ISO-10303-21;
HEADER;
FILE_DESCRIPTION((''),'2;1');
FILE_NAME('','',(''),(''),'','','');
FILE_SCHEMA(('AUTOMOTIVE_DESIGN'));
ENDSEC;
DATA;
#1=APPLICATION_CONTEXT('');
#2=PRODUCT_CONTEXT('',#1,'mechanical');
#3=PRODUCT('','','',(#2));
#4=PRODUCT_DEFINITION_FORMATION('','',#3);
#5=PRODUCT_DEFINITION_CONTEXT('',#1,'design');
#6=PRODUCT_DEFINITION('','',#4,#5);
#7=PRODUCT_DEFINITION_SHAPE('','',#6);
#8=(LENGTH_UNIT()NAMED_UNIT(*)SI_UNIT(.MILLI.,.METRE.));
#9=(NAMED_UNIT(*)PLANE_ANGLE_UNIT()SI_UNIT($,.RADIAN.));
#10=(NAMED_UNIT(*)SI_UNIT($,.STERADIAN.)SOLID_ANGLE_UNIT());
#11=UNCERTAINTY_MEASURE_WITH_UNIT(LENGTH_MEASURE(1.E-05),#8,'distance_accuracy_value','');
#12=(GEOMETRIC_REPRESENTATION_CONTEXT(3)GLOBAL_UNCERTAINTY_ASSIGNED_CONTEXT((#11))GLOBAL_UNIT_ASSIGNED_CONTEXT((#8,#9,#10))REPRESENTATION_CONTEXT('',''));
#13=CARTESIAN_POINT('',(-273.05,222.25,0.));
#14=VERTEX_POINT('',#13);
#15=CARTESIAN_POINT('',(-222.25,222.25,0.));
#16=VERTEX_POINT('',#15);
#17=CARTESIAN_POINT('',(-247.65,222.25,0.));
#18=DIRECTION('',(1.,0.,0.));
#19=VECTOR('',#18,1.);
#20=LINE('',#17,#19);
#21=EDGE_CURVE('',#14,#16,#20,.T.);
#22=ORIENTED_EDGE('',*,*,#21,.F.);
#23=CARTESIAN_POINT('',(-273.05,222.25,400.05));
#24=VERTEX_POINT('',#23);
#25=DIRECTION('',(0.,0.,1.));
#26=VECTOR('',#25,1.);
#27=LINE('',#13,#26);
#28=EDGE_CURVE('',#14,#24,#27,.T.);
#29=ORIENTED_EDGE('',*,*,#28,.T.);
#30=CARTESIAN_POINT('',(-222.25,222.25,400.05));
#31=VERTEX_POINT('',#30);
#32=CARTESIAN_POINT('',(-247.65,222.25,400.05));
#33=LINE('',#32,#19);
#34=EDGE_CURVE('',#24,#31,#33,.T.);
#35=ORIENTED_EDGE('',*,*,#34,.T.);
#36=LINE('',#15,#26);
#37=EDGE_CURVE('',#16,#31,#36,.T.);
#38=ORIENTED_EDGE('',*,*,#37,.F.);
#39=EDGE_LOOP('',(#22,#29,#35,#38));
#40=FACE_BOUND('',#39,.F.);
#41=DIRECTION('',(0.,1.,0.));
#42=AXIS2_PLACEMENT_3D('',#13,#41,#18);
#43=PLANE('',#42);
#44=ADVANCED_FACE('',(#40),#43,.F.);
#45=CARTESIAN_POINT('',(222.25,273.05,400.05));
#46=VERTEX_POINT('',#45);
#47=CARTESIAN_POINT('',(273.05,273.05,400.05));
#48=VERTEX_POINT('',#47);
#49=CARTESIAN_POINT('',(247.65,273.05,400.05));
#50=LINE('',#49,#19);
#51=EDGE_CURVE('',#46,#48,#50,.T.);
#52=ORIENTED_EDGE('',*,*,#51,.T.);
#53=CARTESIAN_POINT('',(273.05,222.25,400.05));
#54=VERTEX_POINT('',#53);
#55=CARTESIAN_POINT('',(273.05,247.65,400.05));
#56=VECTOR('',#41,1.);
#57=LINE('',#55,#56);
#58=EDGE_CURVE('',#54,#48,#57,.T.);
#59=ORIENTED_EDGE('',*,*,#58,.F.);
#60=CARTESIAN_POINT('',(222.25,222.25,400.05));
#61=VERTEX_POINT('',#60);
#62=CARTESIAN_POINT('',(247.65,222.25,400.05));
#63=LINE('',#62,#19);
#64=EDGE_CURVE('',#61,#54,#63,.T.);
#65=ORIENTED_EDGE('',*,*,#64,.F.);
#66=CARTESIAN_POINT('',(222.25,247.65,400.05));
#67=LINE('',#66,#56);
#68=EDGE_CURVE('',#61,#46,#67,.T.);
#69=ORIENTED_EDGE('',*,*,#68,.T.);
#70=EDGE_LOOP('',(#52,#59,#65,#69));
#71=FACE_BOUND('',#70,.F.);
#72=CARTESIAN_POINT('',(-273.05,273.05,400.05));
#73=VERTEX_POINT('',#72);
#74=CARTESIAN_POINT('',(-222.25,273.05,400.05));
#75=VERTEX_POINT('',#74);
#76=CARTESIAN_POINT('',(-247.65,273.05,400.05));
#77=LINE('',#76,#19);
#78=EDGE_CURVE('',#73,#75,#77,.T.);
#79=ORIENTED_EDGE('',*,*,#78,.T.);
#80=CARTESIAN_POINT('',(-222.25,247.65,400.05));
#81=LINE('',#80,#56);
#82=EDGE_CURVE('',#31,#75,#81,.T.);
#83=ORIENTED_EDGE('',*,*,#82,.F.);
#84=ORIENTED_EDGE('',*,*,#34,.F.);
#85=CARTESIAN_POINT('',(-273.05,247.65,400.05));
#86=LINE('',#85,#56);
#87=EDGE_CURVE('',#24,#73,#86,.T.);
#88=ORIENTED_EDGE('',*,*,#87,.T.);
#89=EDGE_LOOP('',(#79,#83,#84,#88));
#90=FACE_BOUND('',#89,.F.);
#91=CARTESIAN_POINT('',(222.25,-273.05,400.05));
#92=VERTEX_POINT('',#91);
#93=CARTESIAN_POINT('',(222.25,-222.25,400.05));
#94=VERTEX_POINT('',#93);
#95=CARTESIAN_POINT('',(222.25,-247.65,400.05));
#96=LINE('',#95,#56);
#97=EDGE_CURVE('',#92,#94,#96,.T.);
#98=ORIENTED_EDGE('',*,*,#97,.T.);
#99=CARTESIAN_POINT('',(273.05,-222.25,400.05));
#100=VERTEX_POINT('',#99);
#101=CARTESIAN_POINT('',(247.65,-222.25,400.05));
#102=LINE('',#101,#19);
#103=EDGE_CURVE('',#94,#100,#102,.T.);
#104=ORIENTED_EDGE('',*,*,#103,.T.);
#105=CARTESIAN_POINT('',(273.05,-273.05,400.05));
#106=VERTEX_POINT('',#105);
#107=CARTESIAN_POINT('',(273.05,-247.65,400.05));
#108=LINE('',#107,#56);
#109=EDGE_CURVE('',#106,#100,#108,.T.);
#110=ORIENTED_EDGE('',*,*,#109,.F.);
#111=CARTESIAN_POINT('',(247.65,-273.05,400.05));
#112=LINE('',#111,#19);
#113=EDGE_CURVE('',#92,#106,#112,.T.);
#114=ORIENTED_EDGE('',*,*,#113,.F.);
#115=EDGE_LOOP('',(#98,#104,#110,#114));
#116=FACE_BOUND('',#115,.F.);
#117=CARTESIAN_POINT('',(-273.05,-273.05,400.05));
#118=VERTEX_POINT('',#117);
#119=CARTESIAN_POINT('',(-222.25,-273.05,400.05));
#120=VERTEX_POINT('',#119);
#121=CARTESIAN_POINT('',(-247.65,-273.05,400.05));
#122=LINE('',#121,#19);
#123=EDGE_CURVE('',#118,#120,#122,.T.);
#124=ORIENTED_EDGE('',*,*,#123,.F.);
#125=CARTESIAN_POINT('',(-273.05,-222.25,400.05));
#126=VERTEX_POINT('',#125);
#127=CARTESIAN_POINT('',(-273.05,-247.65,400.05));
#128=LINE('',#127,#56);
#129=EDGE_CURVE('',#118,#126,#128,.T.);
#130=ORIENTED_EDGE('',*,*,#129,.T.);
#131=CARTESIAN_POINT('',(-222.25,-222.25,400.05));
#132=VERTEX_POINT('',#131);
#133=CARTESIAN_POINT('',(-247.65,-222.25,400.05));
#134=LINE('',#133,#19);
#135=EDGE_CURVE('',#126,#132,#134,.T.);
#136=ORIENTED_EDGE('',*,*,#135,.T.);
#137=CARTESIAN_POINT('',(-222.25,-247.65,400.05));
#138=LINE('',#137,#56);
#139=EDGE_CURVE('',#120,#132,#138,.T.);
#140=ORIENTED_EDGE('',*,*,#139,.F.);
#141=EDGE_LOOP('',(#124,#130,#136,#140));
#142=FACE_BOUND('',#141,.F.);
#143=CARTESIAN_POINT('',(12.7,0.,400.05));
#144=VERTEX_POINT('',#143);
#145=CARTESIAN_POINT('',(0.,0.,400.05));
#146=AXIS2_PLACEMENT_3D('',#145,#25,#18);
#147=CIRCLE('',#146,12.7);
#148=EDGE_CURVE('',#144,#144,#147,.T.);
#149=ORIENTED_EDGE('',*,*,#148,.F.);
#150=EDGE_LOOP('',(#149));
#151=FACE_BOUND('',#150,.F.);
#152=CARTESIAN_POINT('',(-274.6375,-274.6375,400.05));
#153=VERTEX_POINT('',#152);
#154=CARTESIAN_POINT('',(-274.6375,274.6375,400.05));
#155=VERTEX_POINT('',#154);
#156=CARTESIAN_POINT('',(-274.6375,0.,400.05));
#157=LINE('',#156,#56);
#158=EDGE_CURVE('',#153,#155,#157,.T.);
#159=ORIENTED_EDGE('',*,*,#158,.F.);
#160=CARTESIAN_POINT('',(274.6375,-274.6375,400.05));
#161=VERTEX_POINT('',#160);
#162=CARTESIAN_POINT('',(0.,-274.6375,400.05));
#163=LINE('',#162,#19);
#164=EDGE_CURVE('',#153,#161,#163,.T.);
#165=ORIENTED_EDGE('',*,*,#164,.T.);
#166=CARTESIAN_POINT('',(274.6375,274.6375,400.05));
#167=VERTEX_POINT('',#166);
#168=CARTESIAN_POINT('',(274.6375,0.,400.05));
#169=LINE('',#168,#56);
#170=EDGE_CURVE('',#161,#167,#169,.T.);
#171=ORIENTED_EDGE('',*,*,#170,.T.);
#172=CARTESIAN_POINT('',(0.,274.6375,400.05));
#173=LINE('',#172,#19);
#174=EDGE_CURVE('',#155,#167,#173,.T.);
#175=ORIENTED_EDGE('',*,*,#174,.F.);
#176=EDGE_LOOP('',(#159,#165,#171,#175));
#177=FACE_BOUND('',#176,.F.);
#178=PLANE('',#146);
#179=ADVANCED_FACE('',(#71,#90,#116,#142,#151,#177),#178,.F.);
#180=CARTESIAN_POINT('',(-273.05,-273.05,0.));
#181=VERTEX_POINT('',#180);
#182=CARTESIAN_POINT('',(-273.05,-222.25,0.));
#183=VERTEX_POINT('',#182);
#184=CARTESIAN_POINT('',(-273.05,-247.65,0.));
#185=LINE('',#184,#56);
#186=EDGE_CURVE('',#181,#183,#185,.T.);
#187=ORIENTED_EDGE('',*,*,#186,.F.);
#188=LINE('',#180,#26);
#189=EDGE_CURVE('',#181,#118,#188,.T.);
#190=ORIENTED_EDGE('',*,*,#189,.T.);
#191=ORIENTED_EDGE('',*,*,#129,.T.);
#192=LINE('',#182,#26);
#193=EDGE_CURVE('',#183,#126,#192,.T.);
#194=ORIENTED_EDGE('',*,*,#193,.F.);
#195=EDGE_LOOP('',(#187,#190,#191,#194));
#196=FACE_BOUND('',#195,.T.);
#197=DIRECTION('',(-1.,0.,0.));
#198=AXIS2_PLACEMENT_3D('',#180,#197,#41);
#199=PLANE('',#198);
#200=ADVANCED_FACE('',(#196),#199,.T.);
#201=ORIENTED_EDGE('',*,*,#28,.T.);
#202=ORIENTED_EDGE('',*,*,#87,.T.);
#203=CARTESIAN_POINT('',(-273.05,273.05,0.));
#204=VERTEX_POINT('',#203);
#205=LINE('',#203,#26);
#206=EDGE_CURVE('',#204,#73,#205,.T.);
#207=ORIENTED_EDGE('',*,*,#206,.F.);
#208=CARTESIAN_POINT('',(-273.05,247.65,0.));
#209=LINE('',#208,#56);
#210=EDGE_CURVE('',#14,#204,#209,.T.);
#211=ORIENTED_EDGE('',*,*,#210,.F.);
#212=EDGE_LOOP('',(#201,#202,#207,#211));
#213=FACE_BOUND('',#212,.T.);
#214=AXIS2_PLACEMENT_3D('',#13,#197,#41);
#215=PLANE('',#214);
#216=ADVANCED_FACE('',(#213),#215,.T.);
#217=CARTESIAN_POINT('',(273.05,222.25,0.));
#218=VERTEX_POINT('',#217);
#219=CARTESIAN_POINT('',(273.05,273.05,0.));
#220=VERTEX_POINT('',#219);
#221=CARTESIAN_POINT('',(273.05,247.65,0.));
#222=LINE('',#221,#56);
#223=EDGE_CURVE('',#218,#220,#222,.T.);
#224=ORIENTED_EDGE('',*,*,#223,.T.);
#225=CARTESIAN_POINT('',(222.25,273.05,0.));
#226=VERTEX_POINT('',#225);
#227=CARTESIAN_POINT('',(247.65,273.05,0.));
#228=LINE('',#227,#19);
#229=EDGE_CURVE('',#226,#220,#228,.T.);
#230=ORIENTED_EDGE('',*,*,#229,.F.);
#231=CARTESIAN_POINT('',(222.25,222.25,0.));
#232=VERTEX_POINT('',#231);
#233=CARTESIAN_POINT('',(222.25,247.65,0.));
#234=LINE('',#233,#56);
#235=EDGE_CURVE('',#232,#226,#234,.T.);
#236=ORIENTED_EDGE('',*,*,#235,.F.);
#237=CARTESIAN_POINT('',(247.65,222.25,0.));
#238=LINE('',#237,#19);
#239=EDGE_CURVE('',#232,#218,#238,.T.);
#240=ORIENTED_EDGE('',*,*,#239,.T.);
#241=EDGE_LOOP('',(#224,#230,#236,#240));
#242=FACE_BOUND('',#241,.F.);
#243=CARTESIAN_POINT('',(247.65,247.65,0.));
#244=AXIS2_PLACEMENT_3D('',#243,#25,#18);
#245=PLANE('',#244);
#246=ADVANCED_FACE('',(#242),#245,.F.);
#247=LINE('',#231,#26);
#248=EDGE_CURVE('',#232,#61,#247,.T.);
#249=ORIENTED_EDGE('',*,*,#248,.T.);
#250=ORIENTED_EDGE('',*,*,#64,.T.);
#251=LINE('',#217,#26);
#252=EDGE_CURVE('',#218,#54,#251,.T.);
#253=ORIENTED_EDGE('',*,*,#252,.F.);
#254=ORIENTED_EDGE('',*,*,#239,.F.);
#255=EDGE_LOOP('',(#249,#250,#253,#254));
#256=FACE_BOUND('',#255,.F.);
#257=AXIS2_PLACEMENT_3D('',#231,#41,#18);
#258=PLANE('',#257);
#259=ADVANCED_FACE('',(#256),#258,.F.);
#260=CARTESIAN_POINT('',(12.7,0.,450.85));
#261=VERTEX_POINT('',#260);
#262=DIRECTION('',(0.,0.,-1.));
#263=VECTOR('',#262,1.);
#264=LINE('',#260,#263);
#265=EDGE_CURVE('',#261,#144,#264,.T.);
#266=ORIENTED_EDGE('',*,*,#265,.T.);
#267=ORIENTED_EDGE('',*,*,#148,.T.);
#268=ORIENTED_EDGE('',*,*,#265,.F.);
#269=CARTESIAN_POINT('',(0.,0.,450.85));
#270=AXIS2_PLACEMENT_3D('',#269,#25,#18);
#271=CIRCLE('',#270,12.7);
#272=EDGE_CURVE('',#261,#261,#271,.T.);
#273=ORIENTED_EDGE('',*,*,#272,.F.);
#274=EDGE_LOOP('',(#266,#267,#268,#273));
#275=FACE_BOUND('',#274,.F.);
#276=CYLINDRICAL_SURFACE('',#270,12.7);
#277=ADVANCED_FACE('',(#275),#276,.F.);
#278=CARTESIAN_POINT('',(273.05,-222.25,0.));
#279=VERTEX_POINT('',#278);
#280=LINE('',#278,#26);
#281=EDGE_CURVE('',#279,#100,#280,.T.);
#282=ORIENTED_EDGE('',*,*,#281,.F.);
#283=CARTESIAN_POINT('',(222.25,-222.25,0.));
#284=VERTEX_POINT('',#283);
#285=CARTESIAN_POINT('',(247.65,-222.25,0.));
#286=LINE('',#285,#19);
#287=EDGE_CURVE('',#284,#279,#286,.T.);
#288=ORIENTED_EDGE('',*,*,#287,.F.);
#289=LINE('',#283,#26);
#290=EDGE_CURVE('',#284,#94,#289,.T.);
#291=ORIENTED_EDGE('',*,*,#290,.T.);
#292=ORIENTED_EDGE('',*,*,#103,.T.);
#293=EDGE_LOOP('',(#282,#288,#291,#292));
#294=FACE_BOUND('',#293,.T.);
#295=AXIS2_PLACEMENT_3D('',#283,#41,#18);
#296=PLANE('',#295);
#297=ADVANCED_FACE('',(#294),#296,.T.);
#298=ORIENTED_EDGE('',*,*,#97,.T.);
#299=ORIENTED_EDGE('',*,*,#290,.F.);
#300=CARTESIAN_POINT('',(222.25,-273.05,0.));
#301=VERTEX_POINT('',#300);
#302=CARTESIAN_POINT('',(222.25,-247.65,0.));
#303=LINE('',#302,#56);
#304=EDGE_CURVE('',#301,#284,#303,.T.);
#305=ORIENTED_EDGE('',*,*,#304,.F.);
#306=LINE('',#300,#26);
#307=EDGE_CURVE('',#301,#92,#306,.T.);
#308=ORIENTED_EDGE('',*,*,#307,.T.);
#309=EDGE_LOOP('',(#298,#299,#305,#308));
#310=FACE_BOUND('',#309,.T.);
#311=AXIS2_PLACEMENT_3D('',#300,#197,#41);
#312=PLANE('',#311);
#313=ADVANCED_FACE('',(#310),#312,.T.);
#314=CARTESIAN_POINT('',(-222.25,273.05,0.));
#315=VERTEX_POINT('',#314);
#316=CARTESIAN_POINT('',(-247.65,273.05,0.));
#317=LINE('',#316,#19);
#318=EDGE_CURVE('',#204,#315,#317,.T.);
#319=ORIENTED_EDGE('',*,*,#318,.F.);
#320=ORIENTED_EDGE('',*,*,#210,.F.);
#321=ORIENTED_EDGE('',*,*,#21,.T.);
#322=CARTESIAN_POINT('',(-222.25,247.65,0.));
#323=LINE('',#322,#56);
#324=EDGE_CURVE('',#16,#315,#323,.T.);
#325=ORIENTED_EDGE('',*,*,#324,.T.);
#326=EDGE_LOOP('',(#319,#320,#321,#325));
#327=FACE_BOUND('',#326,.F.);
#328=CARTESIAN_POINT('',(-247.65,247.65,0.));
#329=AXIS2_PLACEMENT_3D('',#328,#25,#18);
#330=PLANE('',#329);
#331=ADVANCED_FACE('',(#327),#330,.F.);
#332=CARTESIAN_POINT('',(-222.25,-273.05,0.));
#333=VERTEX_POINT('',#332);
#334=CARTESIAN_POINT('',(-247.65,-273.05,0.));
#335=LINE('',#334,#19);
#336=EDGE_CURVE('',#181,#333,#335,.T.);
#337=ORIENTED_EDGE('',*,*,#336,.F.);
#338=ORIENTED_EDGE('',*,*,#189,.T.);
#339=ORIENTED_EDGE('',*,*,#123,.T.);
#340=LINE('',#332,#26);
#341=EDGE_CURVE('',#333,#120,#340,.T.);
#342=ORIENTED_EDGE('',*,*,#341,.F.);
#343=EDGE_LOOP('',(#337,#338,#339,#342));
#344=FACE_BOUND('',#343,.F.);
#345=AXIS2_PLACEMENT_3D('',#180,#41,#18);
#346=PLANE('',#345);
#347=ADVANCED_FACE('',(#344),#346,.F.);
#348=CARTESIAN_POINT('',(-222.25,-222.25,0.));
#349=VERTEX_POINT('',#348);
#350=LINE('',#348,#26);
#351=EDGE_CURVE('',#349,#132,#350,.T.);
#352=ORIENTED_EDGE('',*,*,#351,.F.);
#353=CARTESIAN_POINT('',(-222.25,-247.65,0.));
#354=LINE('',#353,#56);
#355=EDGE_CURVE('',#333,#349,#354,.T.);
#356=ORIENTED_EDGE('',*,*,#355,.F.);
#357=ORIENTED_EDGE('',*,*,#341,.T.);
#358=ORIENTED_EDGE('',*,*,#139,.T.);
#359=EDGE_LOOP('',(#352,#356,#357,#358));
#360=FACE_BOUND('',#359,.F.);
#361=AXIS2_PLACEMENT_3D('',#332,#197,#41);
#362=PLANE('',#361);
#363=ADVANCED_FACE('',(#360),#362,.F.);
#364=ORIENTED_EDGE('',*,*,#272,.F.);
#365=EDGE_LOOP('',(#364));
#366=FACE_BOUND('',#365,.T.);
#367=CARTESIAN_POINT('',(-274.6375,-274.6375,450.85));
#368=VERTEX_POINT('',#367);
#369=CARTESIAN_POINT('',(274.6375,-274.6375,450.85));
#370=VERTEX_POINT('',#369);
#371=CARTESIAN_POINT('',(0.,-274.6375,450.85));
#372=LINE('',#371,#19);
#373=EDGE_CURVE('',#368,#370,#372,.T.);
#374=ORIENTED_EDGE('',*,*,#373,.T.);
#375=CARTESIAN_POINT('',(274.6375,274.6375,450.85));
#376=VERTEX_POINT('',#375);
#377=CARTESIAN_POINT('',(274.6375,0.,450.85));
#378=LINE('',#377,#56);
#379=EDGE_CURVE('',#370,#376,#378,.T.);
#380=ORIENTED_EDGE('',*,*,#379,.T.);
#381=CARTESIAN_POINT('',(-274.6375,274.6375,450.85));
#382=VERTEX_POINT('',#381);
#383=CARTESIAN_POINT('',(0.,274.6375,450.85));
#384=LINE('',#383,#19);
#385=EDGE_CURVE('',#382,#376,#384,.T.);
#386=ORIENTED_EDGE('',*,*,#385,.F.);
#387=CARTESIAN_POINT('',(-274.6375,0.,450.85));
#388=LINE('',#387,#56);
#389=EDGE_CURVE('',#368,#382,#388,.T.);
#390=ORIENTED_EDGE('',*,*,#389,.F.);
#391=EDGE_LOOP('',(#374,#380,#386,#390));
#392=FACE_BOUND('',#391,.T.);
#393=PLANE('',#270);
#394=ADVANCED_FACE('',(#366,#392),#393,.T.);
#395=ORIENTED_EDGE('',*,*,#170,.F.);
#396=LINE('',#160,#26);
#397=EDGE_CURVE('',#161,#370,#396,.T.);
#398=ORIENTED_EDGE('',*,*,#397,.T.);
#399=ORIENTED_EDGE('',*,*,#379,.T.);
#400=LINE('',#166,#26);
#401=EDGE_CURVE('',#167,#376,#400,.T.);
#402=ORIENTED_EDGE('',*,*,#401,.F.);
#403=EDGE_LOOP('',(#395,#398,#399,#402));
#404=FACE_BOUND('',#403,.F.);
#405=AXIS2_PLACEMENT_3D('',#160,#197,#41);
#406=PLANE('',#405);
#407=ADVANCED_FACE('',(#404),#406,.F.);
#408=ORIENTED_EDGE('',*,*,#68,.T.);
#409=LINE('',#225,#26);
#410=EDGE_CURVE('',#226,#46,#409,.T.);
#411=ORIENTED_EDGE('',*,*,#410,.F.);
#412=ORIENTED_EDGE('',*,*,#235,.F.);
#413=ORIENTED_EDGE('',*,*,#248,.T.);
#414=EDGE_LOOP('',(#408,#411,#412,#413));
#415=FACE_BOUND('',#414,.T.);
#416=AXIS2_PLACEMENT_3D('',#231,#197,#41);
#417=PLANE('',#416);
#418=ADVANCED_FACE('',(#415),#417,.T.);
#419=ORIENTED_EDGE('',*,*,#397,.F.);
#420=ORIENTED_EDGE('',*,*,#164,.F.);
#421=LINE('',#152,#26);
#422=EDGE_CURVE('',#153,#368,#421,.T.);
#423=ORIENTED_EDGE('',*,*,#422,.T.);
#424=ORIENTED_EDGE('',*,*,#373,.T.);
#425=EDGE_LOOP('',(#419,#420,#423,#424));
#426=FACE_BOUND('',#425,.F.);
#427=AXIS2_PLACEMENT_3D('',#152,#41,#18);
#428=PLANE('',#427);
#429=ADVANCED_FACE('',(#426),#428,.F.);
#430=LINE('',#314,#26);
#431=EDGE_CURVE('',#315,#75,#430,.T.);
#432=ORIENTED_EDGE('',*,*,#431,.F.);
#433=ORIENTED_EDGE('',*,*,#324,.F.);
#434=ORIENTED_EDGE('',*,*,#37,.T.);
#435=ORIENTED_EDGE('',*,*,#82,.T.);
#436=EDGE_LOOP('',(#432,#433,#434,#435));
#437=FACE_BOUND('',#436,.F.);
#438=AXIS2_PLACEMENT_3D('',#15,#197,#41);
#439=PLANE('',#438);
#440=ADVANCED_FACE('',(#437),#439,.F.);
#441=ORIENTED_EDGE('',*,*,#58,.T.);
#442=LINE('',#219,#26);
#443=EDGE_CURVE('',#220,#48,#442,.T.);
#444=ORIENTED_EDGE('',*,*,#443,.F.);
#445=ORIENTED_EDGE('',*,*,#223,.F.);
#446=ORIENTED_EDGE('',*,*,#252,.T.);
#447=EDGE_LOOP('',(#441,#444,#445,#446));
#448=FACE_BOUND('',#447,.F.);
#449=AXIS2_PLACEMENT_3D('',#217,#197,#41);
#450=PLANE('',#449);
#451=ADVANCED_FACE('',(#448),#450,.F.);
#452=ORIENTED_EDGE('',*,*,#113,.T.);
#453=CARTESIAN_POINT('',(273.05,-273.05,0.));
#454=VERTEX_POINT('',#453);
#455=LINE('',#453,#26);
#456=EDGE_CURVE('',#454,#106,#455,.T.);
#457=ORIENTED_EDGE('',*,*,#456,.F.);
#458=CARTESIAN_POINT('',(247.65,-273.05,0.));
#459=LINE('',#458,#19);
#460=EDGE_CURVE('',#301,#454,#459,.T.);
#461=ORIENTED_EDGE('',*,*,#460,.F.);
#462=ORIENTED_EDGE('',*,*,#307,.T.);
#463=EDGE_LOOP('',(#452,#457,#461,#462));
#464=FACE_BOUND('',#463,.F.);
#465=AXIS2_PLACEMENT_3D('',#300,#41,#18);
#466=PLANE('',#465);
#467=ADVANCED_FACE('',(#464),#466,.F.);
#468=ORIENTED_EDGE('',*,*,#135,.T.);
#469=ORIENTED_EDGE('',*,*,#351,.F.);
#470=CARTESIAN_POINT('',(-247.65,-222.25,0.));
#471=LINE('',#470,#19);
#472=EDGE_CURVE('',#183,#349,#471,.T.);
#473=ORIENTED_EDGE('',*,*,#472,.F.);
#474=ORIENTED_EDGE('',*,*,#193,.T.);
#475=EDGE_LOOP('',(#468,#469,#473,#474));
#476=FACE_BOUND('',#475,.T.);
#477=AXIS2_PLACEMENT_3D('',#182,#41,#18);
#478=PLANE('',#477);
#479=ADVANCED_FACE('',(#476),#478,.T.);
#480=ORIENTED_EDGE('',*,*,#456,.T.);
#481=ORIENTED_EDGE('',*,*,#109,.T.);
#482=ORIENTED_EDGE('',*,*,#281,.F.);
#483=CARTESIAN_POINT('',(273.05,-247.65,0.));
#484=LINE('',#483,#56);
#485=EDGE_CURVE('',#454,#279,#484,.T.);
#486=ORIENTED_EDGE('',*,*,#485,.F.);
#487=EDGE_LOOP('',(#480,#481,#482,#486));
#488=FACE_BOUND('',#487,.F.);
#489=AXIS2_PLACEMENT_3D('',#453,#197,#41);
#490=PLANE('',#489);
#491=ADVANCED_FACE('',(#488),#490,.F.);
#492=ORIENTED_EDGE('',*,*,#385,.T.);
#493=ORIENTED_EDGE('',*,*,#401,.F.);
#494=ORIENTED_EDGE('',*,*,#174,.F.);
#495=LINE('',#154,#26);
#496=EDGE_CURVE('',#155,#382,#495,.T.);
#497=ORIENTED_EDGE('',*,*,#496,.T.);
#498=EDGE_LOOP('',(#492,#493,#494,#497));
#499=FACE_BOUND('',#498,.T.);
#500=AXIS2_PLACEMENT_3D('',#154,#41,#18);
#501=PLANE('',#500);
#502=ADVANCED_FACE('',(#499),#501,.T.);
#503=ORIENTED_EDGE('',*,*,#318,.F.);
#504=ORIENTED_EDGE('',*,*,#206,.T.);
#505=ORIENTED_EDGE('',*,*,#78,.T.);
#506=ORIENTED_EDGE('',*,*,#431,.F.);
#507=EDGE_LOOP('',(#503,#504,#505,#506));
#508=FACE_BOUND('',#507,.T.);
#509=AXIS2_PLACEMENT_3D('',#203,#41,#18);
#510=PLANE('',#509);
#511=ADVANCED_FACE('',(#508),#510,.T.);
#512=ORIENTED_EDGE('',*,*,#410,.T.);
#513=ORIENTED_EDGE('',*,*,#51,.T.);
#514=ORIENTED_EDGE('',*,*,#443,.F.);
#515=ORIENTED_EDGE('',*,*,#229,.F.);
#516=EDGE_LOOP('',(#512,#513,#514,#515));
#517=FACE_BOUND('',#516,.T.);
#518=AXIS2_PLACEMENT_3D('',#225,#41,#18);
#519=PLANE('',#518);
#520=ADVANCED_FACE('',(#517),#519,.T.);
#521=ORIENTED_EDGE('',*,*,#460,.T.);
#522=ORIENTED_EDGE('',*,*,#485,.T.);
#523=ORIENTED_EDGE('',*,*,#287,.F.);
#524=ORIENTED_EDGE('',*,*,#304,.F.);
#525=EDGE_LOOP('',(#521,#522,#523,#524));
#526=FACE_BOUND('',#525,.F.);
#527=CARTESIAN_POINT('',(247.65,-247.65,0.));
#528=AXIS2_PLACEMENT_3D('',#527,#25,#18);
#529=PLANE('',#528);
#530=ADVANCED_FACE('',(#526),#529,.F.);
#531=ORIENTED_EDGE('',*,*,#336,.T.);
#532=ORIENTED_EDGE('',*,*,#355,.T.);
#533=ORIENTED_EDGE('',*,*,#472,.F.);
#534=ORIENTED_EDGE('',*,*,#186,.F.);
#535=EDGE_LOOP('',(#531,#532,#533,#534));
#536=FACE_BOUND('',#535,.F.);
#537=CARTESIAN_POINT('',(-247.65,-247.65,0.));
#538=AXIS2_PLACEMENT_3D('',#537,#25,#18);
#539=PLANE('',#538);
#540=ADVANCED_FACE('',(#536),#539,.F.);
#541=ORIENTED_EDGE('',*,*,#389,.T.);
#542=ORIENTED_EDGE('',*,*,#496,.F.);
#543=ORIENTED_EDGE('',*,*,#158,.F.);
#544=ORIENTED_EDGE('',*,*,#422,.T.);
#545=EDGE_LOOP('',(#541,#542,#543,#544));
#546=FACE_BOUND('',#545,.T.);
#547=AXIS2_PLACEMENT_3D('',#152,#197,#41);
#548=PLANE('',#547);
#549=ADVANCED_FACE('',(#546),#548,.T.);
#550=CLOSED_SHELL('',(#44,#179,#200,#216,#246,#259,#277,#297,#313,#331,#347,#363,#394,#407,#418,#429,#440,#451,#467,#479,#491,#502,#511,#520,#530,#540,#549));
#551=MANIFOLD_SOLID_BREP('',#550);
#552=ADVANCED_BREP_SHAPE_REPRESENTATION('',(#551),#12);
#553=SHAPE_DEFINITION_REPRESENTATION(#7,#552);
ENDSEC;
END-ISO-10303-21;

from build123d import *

# Parameters (mm, degrees)
F0_W     = 50.8
F0_H     = 50.8
F1_DEPTH = 400.05
F2_W     = 549.275
F2_H     = 549.275
F2_W_2   = 50.8
F2_H_2   = 50.8
F3_DEPTH = 50.8
F4_R     = 12.7
F5_DEPTH = 450.851


with BuildPart() as f1:
    # F0 (on Top) → F1 (new body)
    with BuildSketch(Plane.XY):
        with Locations((-247.65, 247.65)):
            Rectangle(F0_W, F0_H)
    extrude(amount=F1_DEPTH)



with BuildPart() as f1b:
    # F0 (on Top) → F1, piece 2 (new body)
    with BuildSketch(Plane.XY):
        with Locations((247.65, 247.65)):
            Rectangle(F0_W, F0_H)
    extrude(amount=F1_DEPTH)


with BuildPart() as f1c:
    # F0 (on Top) → F1, piece 3 (new body)
    with BuildSketch(Plane.XY):
        with Locations((-247.65, -247.65)):
            Rectangle(F0_W, F0_H)
    extrude(amount=F1_DEPTH)


with BuildPart() as f1d:
    # F0 (on Top) → F1, piece 4 (new body)
    with BuildSketch(Plane.XY):
        with Locations((247.65, -247.65)):
            Rectangle(F0_W, F0_H)
    extrude(amount=F1_DEPTH)


with BuildPart() as f1_1:
    add(f1.part)

    add(f1b.part)  # F3 merges F1b

    add(f1c.part)  # F3 merges F1c

    add(f1d.part)  # F3 merges F1d
    # F2 (on face) → F3 (join)
    with BuildSketch(Plane.XY.offset(400.05)):
        Rectangle(F2_W, F2_H)
        with Locations((-247.65, -247.65)):
            Rectangle(F2_W_2, F2_H_2, mode=Mode.SUBTRACT)
        with Locations((-247.65, -247.65)):
            Rectangle(F2_W_2, F2_H_2)
    extrude(amount=F3_DEPTH)

    # F4 (on face) → F5 (cut, through all)
    with BuildSketch(Plane.XY.offset(450.85)):
        Circle(F4_R)
    extrude(amount=-F5_DEPTH, mode=Mode.SUBTRACT)


solid = f1_1.part
